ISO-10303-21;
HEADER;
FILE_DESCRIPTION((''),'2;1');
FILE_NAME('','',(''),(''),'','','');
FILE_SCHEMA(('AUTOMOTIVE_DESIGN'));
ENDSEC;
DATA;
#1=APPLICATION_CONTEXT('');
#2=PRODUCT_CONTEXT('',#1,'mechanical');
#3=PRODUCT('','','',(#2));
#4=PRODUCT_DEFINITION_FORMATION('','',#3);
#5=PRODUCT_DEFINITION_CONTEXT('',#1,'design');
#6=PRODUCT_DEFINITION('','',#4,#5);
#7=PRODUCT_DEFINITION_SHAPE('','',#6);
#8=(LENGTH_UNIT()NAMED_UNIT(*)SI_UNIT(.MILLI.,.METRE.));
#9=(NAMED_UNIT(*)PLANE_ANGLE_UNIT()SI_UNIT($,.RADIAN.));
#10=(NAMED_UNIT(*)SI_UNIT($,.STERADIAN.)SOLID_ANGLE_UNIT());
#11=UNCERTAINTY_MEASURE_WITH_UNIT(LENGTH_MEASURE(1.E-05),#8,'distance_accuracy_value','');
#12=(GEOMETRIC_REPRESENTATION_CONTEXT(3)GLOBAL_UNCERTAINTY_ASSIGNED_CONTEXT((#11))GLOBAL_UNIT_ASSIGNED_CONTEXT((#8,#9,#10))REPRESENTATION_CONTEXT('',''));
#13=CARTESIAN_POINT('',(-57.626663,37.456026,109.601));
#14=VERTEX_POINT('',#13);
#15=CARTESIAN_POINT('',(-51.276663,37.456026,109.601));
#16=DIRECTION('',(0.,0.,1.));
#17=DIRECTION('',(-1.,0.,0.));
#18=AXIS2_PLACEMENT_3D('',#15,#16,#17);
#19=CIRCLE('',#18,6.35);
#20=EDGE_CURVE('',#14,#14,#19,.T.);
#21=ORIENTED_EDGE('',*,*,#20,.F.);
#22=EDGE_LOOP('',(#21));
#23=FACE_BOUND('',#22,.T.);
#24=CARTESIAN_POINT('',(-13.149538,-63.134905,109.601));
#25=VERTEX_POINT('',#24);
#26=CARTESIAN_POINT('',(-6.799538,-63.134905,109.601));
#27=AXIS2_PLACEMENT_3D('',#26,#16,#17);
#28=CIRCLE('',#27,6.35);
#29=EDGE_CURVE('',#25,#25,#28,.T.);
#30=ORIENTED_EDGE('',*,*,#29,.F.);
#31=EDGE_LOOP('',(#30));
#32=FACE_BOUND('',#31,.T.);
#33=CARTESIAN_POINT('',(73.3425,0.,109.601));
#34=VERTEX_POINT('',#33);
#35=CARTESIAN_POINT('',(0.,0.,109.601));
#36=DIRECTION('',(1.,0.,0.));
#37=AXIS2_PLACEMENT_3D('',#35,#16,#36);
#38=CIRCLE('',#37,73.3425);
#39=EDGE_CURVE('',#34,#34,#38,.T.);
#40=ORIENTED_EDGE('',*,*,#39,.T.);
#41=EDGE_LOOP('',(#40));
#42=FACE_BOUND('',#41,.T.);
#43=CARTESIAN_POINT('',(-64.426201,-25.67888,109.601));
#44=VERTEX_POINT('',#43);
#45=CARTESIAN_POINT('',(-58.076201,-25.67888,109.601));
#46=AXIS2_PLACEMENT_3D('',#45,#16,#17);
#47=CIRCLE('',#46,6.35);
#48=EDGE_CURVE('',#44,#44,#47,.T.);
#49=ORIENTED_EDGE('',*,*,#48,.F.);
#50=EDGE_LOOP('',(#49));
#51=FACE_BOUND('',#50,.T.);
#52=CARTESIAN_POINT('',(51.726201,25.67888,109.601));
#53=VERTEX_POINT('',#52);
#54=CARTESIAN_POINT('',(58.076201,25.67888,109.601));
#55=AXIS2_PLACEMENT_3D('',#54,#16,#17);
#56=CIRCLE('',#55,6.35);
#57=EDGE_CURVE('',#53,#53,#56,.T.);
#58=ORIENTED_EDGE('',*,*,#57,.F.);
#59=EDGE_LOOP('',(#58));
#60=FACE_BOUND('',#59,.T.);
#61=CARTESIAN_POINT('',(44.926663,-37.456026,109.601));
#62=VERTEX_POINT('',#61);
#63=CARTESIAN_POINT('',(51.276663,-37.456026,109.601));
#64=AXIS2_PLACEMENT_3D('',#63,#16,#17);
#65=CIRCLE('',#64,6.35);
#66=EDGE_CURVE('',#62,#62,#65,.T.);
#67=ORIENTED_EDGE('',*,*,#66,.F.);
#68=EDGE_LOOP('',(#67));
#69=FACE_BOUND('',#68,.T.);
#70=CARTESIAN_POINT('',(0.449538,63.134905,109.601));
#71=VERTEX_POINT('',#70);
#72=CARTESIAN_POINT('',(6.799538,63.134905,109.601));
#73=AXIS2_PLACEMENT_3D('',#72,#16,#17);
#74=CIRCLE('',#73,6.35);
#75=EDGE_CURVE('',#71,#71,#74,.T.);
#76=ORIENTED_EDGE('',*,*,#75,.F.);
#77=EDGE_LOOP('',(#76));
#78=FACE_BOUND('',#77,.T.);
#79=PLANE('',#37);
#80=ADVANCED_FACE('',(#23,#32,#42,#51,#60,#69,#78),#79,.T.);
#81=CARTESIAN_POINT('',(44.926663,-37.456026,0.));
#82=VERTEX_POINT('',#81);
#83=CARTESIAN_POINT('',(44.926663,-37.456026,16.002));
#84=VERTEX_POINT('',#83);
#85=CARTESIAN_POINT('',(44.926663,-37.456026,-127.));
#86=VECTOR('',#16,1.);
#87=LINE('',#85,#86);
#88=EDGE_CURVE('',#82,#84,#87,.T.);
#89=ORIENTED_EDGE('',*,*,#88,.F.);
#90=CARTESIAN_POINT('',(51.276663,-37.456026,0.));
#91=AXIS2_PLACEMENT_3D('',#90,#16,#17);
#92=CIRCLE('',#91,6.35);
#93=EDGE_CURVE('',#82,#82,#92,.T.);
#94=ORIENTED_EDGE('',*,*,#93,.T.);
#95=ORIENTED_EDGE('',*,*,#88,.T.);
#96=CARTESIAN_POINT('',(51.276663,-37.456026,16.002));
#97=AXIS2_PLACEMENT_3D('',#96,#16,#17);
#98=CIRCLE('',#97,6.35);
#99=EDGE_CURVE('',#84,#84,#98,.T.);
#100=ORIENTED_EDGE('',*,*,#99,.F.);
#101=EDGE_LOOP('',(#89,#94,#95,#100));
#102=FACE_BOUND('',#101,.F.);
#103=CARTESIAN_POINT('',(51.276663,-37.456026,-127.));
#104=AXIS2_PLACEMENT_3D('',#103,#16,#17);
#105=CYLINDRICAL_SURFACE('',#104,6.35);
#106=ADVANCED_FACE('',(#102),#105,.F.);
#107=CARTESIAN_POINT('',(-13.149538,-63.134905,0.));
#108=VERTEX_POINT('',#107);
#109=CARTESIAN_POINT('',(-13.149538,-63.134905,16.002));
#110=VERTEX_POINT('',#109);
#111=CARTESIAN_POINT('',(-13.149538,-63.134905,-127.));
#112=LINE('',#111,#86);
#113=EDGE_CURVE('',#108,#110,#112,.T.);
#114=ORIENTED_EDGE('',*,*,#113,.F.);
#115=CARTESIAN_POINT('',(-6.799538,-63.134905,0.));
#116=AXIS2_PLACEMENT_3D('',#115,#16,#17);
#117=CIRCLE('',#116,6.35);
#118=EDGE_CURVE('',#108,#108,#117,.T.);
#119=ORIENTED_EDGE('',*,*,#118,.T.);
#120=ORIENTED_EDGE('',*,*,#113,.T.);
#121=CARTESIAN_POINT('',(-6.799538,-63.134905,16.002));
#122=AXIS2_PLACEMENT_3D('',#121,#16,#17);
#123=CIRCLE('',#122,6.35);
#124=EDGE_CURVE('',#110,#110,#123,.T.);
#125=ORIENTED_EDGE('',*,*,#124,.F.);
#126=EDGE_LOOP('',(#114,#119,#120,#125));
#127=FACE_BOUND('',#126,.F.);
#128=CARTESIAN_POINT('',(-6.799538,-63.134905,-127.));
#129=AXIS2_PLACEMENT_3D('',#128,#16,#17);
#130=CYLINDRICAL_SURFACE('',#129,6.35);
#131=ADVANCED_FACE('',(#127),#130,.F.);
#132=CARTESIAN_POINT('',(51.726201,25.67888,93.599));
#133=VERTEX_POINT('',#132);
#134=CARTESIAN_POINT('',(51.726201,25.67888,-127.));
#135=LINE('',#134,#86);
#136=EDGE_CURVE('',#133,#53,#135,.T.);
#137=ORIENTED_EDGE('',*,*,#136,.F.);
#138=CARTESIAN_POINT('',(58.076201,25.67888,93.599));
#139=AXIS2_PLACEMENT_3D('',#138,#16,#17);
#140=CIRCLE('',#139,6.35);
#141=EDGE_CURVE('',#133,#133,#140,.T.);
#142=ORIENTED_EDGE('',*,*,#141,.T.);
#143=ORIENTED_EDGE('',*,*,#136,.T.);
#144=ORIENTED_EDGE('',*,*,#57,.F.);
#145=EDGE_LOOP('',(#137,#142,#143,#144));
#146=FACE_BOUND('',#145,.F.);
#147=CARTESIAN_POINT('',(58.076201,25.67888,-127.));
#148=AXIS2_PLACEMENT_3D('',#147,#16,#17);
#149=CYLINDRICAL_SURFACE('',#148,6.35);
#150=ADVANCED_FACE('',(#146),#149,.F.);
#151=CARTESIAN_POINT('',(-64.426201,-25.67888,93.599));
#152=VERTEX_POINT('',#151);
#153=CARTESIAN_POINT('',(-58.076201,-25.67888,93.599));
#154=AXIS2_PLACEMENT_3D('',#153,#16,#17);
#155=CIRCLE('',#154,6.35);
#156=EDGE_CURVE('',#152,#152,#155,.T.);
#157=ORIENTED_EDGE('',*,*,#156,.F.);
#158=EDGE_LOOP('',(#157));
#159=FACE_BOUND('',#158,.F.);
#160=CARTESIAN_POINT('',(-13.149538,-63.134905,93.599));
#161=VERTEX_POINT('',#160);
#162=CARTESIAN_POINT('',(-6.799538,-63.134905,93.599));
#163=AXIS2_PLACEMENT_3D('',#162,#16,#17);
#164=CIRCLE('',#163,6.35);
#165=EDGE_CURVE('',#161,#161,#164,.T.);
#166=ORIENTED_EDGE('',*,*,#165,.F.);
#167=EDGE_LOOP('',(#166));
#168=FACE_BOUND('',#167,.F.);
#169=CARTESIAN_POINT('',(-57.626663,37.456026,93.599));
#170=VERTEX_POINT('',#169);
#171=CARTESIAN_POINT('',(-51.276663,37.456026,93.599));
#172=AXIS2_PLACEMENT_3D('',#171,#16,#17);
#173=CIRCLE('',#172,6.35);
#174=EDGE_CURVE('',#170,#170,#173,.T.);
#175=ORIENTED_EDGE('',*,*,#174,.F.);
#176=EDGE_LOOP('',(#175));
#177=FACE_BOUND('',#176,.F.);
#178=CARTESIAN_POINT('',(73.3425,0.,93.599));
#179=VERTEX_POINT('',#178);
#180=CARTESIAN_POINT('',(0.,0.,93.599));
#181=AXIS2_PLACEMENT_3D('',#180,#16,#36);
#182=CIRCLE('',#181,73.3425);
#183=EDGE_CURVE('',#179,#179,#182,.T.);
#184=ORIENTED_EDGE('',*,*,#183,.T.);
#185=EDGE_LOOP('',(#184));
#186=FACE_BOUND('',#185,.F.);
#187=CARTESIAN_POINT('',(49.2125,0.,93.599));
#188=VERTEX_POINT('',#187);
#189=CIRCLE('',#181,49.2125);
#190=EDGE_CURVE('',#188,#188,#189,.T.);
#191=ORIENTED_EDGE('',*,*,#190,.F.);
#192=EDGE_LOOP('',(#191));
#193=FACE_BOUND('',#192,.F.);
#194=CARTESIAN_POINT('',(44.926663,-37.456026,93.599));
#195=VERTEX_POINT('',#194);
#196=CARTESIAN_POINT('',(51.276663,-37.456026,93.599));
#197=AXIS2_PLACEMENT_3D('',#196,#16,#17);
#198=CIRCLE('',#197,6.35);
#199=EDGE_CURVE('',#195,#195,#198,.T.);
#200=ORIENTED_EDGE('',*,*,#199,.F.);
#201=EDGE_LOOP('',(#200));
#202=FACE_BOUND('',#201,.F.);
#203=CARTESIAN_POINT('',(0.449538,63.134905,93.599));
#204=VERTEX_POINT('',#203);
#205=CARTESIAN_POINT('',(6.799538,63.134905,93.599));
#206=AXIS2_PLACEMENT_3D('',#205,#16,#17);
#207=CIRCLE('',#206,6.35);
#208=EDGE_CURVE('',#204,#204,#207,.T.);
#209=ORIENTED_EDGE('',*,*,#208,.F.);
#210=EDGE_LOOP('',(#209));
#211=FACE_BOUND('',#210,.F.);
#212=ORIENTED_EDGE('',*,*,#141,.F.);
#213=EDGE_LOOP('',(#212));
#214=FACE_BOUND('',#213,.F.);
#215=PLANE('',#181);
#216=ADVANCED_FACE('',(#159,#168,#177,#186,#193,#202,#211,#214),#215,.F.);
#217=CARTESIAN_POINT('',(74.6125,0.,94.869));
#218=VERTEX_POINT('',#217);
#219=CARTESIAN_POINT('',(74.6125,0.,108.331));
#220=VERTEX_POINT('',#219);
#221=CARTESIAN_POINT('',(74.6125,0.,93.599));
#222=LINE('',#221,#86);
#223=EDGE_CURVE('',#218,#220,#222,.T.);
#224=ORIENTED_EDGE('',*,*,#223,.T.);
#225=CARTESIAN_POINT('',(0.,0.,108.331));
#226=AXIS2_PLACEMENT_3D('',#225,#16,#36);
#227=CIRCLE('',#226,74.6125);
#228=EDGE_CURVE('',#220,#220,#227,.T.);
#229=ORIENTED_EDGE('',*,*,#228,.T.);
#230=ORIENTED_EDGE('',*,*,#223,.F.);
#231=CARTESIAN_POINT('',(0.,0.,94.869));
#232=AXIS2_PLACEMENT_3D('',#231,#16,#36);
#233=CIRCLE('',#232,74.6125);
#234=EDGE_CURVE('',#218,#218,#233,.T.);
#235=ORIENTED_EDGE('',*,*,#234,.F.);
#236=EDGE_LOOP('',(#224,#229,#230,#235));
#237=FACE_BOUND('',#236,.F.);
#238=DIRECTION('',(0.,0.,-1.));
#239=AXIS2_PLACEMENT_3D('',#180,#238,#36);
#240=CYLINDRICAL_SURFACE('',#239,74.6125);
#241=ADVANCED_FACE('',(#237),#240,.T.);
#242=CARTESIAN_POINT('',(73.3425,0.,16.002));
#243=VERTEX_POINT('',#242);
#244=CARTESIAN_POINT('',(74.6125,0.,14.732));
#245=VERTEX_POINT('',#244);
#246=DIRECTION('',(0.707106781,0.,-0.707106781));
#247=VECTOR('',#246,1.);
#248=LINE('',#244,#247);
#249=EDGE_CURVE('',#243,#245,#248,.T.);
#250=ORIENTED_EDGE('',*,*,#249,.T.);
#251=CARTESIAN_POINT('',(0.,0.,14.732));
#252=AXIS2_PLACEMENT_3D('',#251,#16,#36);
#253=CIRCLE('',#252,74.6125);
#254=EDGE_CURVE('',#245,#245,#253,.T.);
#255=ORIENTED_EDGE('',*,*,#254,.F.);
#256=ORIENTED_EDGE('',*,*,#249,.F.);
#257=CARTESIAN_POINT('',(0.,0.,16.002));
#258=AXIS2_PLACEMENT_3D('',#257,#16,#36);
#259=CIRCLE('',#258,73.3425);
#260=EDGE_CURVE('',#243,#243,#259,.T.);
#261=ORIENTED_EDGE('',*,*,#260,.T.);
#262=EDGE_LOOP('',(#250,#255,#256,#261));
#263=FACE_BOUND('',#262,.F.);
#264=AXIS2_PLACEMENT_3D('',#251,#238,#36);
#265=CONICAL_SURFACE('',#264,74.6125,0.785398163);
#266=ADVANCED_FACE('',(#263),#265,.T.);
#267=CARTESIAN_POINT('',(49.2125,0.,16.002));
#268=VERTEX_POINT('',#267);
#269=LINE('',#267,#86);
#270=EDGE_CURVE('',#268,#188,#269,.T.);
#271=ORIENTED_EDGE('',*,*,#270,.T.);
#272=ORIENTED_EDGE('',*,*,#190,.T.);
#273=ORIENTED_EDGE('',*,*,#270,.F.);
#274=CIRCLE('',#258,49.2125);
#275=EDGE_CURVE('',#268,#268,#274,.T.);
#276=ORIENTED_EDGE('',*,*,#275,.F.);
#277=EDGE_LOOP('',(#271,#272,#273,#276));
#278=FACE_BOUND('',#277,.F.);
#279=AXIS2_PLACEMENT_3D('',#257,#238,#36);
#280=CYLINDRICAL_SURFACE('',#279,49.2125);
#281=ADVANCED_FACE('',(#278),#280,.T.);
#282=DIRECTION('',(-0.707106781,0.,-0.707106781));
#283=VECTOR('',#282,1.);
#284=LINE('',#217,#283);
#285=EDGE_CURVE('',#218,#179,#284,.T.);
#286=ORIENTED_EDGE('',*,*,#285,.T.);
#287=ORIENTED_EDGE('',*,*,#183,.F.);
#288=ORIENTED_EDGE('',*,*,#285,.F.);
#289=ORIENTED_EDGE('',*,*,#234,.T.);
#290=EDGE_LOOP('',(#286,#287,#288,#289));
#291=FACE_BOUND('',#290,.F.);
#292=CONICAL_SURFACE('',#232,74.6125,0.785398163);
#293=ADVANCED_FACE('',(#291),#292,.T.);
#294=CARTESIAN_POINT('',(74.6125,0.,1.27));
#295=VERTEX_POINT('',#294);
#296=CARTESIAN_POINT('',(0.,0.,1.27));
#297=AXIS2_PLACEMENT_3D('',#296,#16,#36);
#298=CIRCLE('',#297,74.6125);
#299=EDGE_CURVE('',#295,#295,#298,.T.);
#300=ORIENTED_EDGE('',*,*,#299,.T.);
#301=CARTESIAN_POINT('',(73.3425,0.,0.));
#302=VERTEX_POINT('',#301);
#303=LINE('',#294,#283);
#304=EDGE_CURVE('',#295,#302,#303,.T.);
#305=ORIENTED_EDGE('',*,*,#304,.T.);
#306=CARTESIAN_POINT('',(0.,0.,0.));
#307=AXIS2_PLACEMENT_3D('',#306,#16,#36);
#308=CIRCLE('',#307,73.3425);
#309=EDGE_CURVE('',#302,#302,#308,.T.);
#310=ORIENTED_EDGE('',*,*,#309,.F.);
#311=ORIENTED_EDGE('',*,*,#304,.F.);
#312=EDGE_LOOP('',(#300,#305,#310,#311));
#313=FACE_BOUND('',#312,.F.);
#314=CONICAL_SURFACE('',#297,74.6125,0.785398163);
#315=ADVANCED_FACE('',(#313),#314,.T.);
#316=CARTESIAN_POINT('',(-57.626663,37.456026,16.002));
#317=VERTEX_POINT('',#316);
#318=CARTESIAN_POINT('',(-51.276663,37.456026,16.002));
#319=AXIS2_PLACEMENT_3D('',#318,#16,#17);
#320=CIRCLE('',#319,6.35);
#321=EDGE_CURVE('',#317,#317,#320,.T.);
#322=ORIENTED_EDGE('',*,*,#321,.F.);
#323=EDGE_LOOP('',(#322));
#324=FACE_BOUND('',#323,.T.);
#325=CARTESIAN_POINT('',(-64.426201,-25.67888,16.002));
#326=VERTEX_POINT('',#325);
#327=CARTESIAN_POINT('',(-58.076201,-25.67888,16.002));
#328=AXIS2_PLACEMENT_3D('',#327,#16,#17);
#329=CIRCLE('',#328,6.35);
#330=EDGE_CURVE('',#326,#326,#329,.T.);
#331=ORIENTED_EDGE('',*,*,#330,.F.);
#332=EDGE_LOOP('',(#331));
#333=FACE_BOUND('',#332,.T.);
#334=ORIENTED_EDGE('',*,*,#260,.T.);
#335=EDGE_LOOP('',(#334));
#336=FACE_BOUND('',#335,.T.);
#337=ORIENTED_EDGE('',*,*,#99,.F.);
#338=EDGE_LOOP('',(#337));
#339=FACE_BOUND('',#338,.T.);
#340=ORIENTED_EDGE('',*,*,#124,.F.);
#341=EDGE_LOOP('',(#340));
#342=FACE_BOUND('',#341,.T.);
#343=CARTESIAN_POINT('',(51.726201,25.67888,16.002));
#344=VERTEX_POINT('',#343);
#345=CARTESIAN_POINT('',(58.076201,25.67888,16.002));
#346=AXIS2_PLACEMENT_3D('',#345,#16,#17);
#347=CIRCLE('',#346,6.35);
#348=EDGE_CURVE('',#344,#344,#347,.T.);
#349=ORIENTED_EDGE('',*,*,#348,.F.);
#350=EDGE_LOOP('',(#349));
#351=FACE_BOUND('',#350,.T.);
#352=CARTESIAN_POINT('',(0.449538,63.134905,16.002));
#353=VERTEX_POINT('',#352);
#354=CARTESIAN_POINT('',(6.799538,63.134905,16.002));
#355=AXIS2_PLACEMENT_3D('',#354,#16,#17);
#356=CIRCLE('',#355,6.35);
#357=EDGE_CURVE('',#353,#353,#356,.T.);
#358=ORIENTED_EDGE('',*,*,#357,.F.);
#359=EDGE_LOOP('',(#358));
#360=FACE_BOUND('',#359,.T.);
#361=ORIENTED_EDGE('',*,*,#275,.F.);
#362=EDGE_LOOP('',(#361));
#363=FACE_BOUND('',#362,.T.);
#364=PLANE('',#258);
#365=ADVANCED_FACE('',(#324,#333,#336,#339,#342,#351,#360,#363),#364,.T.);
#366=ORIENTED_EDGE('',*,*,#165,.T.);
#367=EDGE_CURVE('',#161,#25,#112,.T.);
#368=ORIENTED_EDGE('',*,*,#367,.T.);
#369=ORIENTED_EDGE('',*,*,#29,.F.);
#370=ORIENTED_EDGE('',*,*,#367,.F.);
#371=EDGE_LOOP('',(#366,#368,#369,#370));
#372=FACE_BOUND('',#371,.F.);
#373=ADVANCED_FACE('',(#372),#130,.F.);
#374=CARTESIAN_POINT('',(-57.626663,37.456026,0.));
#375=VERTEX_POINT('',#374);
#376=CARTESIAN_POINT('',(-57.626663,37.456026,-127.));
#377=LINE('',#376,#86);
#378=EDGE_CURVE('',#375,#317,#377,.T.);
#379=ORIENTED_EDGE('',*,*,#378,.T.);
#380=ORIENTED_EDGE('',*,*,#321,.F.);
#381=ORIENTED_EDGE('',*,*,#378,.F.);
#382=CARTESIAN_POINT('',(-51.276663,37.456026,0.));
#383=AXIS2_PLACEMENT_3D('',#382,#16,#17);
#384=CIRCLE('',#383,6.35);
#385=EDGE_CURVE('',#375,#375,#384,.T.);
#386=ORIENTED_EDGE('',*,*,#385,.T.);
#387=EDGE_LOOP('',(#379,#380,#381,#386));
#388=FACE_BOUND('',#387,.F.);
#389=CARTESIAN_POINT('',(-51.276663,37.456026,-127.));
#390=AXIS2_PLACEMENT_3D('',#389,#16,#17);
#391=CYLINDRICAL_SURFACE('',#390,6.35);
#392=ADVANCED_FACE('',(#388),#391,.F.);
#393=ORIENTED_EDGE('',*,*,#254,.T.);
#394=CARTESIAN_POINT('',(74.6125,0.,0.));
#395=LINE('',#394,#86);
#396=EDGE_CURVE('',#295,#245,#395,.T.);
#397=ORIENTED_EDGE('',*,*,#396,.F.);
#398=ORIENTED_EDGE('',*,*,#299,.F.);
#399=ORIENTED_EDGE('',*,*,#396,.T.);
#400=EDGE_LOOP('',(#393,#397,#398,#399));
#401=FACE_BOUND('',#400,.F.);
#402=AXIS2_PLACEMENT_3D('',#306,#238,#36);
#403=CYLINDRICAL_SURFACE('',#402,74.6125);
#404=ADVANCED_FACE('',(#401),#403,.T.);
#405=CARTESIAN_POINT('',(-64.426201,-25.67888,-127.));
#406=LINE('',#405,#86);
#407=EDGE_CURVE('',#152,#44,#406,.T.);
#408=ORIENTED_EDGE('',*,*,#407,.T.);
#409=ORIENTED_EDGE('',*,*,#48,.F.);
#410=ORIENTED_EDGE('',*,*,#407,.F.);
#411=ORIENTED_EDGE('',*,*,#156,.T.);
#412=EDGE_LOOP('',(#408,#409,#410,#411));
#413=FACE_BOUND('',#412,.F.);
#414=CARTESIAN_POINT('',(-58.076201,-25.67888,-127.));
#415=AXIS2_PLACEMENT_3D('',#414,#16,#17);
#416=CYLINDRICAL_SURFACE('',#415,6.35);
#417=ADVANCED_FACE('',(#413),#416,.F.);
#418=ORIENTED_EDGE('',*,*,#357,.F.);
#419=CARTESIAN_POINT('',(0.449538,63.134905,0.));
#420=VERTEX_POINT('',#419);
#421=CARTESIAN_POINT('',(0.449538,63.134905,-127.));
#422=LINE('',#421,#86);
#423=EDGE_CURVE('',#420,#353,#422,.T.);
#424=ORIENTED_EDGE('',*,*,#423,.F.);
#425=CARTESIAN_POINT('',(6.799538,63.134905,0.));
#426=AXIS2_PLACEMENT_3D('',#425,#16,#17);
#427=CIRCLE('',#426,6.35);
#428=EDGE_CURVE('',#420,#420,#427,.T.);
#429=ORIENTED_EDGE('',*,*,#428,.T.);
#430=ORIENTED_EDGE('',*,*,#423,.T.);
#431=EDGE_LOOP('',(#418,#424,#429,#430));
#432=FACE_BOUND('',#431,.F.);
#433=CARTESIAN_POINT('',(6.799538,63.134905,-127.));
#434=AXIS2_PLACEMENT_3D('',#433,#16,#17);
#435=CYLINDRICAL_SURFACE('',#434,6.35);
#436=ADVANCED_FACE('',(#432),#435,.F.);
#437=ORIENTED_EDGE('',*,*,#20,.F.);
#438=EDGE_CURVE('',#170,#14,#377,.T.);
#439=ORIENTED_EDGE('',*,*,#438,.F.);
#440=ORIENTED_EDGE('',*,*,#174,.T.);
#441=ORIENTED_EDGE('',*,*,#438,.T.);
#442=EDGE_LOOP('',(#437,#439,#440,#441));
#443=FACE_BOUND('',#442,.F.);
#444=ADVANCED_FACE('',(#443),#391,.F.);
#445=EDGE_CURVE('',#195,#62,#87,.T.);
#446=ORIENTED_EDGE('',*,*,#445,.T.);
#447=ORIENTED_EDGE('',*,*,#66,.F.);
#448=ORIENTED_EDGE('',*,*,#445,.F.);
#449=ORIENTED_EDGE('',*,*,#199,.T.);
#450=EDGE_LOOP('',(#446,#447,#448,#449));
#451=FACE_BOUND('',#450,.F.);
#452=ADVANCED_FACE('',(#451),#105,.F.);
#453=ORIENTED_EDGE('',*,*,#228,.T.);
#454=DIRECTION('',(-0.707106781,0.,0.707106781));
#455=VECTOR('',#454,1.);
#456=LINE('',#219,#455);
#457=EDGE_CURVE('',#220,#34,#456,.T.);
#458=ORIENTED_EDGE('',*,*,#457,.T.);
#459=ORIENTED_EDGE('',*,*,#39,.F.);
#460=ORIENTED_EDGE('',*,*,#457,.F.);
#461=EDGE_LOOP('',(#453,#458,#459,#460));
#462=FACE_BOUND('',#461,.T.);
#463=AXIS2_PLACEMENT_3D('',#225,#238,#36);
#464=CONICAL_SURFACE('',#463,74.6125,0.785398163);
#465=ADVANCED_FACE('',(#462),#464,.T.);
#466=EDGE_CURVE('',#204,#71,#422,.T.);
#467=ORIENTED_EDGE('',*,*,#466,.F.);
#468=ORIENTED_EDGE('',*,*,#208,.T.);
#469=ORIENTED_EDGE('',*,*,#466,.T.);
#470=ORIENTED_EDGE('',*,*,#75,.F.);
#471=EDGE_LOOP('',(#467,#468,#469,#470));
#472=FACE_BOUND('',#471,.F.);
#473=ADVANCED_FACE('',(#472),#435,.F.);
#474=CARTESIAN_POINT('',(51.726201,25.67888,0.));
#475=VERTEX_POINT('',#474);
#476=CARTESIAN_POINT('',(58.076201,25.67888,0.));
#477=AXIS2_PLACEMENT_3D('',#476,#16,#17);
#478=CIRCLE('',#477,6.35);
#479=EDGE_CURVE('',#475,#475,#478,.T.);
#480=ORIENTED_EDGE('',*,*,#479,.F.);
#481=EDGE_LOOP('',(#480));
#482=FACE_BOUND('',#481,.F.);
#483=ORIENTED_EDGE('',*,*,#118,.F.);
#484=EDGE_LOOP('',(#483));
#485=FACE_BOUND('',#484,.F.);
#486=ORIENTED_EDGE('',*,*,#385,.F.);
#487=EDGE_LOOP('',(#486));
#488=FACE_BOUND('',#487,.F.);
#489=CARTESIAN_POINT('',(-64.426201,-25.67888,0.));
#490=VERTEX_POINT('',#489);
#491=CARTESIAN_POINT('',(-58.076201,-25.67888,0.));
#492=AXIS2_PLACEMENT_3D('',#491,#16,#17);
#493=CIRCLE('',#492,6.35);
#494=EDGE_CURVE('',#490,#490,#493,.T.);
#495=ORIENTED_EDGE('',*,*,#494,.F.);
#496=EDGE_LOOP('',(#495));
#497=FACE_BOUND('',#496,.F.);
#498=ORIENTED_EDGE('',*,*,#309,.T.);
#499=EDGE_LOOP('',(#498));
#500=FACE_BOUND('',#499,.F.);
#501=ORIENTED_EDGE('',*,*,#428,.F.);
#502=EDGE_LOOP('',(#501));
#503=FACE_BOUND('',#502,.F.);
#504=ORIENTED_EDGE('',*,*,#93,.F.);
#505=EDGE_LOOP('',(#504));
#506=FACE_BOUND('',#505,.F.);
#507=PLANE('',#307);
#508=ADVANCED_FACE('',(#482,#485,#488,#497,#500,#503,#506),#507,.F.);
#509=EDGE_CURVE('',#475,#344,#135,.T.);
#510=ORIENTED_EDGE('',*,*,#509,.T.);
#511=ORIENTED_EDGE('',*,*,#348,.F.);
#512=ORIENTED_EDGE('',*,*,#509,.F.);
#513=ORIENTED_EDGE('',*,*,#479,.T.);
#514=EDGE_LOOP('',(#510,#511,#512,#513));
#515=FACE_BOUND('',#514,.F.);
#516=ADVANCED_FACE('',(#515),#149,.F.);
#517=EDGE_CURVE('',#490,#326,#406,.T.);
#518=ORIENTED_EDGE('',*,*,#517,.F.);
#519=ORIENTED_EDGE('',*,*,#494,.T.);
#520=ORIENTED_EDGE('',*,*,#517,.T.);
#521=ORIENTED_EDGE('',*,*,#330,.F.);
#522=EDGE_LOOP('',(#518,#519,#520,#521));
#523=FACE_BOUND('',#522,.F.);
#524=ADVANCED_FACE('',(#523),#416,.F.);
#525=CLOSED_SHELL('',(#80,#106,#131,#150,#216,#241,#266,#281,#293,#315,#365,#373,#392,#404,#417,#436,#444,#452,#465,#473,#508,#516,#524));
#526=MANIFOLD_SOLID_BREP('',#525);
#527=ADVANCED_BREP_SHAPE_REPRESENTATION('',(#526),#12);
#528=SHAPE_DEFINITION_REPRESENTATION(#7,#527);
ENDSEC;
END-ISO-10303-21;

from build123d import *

# Parameters (mm, degrees)
F0_R     = 74.6125
F1_DEPTH = 16.002
F2_R     = 49.2125
F3_DEPTH = 77.597
F4_R     = 74.6125
F5_DEPTH = 16.002
F6_SIZE  = 1.27
F8_D     = 12.7
F8_DEPTH = 127


with BuildPart() as f1:
    # F0 (on Top) → F1 (new body)
    with BuildSketch(Plane.XY):
        Circle(F0_R)
    extrude(amount=F1_DEPTH)

    # F2 (on face) → F3 (join)
    with BuildSketch(Plane.XY.offset(16.002)):
        Circle(F2_R)
    extrude(amount=F3_DEPTH)

    # F4 (on face) → F5 (join)
    with BuildSketch(Plane.XY.offset(93.599)):
        Circle(F4_R)
    extrude(amount=F5_DEPTH)

    # F6
    f6_edges = [f1.edges().sort_by_distance(p)[0] for p in [
        (-74.6125, 0, 93.599),
        (-74.6125, 0, 109.601),
        (-74.6125, 0, 16.002),
        (-74.6125, 0, 0),
    ]]
    chamfer(f6_edges, length=F6_SIZE)

    # F8
    with Locations(Plane(origin=(0, 0, 0), x_dir=(1, 0, 0), z_dir=(0, 0, -1))):
        with Locations((-51.276663, -37.456026), (-58.076201, 25.67888), (-6.799538, 63.134905), (51.276663, 37.456026), (58.076201, -25.67888), (6.799538, -63.134905)):
            Hole(F8_D / 2, depth=F8_DEPTH)


solid = f1.part
